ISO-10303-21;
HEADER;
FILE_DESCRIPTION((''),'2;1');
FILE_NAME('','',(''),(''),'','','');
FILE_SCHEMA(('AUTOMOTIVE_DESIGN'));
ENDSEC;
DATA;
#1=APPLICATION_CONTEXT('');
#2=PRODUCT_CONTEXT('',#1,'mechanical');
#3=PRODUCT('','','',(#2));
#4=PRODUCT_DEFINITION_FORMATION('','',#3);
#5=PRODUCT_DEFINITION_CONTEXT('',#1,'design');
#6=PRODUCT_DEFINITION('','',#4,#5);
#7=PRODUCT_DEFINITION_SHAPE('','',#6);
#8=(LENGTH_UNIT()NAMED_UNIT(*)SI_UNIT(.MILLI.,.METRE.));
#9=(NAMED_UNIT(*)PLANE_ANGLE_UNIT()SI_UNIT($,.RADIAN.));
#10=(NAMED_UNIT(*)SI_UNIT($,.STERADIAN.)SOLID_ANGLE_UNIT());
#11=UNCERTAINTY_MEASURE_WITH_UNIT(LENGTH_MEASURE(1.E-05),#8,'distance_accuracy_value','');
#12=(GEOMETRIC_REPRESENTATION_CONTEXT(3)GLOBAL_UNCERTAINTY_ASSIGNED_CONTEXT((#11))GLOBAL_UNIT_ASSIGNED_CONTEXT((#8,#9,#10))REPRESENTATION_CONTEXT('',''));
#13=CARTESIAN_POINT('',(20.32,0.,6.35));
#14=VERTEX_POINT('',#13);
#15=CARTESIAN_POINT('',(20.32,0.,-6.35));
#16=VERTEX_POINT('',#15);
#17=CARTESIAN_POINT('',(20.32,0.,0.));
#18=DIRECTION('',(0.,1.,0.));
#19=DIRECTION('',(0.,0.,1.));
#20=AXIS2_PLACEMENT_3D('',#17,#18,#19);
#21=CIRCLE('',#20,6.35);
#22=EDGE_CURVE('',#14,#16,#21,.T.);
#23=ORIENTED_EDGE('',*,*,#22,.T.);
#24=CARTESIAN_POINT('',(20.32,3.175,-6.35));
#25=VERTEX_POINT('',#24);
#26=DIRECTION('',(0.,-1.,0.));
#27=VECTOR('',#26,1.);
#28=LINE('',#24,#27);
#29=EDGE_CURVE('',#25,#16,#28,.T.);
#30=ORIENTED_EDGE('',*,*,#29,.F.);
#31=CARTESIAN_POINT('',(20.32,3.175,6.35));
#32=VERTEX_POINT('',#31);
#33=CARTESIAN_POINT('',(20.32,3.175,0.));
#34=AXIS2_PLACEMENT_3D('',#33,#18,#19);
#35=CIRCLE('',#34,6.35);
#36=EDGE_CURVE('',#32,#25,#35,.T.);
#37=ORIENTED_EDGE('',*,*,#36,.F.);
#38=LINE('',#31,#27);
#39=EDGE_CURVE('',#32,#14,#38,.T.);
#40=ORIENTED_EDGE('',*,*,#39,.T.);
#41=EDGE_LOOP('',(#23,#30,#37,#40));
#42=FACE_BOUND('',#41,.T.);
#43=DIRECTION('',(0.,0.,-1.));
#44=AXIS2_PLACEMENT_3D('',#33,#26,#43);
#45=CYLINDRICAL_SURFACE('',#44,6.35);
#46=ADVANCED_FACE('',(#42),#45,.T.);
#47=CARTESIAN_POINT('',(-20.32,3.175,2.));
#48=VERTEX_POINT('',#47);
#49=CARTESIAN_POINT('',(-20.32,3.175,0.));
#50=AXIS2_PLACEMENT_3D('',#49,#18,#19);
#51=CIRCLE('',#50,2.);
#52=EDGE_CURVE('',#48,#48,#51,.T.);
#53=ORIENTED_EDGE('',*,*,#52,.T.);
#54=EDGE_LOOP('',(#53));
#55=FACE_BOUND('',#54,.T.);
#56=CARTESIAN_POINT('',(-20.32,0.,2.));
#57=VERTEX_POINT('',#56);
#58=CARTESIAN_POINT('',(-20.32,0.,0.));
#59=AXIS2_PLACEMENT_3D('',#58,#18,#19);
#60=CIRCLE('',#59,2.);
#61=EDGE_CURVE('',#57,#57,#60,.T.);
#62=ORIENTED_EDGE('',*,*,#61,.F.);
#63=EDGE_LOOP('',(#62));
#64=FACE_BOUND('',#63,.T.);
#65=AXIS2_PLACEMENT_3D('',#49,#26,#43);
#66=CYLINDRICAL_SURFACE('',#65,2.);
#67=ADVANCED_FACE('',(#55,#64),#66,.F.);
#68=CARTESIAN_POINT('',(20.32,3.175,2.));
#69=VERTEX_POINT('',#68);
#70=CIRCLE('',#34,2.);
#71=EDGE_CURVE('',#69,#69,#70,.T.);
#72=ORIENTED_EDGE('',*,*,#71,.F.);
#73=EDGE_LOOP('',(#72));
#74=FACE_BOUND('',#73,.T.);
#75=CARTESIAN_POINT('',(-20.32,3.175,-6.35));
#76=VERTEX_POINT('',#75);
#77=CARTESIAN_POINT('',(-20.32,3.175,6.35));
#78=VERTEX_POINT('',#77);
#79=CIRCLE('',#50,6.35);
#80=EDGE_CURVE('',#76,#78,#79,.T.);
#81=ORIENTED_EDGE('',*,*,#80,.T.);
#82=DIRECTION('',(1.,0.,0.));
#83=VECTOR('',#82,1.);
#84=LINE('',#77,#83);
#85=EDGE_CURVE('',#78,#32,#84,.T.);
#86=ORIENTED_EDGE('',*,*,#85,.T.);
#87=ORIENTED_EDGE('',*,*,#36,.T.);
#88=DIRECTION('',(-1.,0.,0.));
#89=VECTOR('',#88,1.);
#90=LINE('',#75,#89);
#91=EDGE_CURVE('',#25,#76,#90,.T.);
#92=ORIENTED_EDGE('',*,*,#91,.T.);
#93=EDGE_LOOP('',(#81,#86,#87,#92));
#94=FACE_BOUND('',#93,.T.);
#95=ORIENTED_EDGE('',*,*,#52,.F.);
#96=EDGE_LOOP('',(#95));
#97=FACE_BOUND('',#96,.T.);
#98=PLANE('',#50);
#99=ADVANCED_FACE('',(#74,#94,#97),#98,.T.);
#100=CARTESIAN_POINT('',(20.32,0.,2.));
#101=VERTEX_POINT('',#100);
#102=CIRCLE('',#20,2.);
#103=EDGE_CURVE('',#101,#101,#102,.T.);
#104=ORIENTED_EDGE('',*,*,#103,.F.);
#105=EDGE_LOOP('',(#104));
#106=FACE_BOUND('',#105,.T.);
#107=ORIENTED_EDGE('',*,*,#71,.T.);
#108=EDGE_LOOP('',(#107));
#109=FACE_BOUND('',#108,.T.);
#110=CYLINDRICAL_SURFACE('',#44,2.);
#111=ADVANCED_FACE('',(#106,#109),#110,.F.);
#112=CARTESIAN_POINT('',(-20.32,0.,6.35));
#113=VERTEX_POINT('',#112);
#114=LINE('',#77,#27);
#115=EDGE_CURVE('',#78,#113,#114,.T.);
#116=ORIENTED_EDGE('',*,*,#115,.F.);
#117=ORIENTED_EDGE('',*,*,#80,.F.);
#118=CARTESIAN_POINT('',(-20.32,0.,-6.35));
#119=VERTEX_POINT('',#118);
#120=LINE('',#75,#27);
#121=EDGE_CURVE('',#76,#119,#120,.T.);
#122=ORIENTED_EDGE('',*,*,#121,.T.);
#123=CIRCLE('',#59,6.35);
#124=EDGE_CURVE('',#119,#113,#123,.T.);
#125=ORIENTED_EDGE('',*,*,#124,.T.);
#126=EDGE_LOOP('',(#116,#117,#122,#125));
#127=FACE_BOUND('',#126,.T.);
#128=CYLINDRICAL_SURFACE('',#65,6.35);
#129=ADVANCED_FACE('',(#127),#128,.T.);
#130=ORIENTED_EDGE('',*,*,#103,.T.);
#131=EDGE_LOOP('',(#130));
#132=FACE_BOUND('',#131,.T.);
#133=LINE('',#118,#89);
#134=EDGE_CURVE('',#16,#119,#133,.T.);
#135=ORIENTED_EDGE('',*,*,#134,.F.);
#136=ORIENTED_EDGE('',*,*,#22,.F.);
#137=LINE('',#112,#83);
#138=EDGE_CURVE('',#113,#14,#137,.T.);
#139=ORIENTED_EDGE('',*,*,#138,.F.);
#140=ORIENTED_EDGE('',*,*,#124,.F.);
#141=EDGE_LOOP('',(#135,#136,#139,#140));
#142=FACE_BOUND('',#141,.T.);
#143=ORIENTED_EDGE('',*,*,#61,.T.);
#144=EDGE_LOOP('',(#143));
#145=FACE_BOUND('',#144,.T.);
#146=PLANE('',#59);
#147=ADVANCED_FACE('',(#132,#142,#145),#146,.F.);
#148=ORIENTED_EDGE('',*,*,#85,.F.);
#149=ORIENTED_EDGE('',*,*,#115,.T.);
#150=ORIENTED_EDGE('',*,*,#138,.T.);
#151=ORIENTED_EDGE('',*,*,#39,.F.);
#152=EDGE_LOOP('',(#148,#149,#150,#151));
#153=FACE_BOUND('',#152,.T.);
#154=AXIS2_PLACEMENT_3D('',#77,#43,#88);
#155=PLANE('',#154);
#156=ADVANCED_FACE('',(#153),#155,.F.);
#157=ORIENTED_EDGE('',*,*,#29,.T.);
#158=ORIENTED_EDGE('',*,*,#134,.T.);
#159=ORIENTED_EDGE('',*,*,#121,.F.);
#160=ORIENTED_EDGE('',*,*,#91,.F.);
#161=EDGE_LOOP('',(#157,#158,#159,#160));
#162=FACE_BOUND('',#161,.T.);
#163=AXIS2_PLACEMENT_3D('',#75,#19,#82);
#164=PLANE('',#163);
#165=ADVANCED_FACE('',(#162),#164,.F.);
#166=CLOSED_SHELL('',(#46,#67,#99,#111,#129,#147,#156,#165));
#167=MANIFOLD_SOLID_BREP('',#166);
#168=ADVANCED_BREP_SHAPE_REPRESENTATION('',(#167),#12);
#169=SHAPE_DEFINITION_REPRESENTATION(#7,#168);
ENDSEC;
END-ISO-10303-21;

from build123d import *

# Parameters (mm, degrees)
SKETCH1_R           = 2.000000064
BOSS_EXTRUDE1_DEPTH = 3.175


with BuildPart() as part:
    # Sketch1 → Boss-Extrude1 (new body)
    with BuildSketch(Plane(origin=(0, 0, 0), x_dir=(1, 0, 0), z_dir=(0, 1, 0))):
        with BuildLine():
            Line((-20.32, 6.35), (20.32, 6.35))
            ThreePointArc((20.32, 6.35), (26.67, 0), (20.32, -6.35))
            Line((20.32, -6.35), (-20.32, -6.35))
            ThreePointArc((-20.32, -6.35), (-26.67, 0), (-20.32, 6.35))
        make_face()
        with Locations((-20.32, 0)):
            Circle(SKETCH1_R, mode=Mode.SUBTRACT)
        with Locations((20.32, 0)):
            Circle(SKETCH1_R, mode=Mode.SUBTRACT)
    extrude(amount=BOSS_EXTRUDE1_DEPTH)


solid = part.part
